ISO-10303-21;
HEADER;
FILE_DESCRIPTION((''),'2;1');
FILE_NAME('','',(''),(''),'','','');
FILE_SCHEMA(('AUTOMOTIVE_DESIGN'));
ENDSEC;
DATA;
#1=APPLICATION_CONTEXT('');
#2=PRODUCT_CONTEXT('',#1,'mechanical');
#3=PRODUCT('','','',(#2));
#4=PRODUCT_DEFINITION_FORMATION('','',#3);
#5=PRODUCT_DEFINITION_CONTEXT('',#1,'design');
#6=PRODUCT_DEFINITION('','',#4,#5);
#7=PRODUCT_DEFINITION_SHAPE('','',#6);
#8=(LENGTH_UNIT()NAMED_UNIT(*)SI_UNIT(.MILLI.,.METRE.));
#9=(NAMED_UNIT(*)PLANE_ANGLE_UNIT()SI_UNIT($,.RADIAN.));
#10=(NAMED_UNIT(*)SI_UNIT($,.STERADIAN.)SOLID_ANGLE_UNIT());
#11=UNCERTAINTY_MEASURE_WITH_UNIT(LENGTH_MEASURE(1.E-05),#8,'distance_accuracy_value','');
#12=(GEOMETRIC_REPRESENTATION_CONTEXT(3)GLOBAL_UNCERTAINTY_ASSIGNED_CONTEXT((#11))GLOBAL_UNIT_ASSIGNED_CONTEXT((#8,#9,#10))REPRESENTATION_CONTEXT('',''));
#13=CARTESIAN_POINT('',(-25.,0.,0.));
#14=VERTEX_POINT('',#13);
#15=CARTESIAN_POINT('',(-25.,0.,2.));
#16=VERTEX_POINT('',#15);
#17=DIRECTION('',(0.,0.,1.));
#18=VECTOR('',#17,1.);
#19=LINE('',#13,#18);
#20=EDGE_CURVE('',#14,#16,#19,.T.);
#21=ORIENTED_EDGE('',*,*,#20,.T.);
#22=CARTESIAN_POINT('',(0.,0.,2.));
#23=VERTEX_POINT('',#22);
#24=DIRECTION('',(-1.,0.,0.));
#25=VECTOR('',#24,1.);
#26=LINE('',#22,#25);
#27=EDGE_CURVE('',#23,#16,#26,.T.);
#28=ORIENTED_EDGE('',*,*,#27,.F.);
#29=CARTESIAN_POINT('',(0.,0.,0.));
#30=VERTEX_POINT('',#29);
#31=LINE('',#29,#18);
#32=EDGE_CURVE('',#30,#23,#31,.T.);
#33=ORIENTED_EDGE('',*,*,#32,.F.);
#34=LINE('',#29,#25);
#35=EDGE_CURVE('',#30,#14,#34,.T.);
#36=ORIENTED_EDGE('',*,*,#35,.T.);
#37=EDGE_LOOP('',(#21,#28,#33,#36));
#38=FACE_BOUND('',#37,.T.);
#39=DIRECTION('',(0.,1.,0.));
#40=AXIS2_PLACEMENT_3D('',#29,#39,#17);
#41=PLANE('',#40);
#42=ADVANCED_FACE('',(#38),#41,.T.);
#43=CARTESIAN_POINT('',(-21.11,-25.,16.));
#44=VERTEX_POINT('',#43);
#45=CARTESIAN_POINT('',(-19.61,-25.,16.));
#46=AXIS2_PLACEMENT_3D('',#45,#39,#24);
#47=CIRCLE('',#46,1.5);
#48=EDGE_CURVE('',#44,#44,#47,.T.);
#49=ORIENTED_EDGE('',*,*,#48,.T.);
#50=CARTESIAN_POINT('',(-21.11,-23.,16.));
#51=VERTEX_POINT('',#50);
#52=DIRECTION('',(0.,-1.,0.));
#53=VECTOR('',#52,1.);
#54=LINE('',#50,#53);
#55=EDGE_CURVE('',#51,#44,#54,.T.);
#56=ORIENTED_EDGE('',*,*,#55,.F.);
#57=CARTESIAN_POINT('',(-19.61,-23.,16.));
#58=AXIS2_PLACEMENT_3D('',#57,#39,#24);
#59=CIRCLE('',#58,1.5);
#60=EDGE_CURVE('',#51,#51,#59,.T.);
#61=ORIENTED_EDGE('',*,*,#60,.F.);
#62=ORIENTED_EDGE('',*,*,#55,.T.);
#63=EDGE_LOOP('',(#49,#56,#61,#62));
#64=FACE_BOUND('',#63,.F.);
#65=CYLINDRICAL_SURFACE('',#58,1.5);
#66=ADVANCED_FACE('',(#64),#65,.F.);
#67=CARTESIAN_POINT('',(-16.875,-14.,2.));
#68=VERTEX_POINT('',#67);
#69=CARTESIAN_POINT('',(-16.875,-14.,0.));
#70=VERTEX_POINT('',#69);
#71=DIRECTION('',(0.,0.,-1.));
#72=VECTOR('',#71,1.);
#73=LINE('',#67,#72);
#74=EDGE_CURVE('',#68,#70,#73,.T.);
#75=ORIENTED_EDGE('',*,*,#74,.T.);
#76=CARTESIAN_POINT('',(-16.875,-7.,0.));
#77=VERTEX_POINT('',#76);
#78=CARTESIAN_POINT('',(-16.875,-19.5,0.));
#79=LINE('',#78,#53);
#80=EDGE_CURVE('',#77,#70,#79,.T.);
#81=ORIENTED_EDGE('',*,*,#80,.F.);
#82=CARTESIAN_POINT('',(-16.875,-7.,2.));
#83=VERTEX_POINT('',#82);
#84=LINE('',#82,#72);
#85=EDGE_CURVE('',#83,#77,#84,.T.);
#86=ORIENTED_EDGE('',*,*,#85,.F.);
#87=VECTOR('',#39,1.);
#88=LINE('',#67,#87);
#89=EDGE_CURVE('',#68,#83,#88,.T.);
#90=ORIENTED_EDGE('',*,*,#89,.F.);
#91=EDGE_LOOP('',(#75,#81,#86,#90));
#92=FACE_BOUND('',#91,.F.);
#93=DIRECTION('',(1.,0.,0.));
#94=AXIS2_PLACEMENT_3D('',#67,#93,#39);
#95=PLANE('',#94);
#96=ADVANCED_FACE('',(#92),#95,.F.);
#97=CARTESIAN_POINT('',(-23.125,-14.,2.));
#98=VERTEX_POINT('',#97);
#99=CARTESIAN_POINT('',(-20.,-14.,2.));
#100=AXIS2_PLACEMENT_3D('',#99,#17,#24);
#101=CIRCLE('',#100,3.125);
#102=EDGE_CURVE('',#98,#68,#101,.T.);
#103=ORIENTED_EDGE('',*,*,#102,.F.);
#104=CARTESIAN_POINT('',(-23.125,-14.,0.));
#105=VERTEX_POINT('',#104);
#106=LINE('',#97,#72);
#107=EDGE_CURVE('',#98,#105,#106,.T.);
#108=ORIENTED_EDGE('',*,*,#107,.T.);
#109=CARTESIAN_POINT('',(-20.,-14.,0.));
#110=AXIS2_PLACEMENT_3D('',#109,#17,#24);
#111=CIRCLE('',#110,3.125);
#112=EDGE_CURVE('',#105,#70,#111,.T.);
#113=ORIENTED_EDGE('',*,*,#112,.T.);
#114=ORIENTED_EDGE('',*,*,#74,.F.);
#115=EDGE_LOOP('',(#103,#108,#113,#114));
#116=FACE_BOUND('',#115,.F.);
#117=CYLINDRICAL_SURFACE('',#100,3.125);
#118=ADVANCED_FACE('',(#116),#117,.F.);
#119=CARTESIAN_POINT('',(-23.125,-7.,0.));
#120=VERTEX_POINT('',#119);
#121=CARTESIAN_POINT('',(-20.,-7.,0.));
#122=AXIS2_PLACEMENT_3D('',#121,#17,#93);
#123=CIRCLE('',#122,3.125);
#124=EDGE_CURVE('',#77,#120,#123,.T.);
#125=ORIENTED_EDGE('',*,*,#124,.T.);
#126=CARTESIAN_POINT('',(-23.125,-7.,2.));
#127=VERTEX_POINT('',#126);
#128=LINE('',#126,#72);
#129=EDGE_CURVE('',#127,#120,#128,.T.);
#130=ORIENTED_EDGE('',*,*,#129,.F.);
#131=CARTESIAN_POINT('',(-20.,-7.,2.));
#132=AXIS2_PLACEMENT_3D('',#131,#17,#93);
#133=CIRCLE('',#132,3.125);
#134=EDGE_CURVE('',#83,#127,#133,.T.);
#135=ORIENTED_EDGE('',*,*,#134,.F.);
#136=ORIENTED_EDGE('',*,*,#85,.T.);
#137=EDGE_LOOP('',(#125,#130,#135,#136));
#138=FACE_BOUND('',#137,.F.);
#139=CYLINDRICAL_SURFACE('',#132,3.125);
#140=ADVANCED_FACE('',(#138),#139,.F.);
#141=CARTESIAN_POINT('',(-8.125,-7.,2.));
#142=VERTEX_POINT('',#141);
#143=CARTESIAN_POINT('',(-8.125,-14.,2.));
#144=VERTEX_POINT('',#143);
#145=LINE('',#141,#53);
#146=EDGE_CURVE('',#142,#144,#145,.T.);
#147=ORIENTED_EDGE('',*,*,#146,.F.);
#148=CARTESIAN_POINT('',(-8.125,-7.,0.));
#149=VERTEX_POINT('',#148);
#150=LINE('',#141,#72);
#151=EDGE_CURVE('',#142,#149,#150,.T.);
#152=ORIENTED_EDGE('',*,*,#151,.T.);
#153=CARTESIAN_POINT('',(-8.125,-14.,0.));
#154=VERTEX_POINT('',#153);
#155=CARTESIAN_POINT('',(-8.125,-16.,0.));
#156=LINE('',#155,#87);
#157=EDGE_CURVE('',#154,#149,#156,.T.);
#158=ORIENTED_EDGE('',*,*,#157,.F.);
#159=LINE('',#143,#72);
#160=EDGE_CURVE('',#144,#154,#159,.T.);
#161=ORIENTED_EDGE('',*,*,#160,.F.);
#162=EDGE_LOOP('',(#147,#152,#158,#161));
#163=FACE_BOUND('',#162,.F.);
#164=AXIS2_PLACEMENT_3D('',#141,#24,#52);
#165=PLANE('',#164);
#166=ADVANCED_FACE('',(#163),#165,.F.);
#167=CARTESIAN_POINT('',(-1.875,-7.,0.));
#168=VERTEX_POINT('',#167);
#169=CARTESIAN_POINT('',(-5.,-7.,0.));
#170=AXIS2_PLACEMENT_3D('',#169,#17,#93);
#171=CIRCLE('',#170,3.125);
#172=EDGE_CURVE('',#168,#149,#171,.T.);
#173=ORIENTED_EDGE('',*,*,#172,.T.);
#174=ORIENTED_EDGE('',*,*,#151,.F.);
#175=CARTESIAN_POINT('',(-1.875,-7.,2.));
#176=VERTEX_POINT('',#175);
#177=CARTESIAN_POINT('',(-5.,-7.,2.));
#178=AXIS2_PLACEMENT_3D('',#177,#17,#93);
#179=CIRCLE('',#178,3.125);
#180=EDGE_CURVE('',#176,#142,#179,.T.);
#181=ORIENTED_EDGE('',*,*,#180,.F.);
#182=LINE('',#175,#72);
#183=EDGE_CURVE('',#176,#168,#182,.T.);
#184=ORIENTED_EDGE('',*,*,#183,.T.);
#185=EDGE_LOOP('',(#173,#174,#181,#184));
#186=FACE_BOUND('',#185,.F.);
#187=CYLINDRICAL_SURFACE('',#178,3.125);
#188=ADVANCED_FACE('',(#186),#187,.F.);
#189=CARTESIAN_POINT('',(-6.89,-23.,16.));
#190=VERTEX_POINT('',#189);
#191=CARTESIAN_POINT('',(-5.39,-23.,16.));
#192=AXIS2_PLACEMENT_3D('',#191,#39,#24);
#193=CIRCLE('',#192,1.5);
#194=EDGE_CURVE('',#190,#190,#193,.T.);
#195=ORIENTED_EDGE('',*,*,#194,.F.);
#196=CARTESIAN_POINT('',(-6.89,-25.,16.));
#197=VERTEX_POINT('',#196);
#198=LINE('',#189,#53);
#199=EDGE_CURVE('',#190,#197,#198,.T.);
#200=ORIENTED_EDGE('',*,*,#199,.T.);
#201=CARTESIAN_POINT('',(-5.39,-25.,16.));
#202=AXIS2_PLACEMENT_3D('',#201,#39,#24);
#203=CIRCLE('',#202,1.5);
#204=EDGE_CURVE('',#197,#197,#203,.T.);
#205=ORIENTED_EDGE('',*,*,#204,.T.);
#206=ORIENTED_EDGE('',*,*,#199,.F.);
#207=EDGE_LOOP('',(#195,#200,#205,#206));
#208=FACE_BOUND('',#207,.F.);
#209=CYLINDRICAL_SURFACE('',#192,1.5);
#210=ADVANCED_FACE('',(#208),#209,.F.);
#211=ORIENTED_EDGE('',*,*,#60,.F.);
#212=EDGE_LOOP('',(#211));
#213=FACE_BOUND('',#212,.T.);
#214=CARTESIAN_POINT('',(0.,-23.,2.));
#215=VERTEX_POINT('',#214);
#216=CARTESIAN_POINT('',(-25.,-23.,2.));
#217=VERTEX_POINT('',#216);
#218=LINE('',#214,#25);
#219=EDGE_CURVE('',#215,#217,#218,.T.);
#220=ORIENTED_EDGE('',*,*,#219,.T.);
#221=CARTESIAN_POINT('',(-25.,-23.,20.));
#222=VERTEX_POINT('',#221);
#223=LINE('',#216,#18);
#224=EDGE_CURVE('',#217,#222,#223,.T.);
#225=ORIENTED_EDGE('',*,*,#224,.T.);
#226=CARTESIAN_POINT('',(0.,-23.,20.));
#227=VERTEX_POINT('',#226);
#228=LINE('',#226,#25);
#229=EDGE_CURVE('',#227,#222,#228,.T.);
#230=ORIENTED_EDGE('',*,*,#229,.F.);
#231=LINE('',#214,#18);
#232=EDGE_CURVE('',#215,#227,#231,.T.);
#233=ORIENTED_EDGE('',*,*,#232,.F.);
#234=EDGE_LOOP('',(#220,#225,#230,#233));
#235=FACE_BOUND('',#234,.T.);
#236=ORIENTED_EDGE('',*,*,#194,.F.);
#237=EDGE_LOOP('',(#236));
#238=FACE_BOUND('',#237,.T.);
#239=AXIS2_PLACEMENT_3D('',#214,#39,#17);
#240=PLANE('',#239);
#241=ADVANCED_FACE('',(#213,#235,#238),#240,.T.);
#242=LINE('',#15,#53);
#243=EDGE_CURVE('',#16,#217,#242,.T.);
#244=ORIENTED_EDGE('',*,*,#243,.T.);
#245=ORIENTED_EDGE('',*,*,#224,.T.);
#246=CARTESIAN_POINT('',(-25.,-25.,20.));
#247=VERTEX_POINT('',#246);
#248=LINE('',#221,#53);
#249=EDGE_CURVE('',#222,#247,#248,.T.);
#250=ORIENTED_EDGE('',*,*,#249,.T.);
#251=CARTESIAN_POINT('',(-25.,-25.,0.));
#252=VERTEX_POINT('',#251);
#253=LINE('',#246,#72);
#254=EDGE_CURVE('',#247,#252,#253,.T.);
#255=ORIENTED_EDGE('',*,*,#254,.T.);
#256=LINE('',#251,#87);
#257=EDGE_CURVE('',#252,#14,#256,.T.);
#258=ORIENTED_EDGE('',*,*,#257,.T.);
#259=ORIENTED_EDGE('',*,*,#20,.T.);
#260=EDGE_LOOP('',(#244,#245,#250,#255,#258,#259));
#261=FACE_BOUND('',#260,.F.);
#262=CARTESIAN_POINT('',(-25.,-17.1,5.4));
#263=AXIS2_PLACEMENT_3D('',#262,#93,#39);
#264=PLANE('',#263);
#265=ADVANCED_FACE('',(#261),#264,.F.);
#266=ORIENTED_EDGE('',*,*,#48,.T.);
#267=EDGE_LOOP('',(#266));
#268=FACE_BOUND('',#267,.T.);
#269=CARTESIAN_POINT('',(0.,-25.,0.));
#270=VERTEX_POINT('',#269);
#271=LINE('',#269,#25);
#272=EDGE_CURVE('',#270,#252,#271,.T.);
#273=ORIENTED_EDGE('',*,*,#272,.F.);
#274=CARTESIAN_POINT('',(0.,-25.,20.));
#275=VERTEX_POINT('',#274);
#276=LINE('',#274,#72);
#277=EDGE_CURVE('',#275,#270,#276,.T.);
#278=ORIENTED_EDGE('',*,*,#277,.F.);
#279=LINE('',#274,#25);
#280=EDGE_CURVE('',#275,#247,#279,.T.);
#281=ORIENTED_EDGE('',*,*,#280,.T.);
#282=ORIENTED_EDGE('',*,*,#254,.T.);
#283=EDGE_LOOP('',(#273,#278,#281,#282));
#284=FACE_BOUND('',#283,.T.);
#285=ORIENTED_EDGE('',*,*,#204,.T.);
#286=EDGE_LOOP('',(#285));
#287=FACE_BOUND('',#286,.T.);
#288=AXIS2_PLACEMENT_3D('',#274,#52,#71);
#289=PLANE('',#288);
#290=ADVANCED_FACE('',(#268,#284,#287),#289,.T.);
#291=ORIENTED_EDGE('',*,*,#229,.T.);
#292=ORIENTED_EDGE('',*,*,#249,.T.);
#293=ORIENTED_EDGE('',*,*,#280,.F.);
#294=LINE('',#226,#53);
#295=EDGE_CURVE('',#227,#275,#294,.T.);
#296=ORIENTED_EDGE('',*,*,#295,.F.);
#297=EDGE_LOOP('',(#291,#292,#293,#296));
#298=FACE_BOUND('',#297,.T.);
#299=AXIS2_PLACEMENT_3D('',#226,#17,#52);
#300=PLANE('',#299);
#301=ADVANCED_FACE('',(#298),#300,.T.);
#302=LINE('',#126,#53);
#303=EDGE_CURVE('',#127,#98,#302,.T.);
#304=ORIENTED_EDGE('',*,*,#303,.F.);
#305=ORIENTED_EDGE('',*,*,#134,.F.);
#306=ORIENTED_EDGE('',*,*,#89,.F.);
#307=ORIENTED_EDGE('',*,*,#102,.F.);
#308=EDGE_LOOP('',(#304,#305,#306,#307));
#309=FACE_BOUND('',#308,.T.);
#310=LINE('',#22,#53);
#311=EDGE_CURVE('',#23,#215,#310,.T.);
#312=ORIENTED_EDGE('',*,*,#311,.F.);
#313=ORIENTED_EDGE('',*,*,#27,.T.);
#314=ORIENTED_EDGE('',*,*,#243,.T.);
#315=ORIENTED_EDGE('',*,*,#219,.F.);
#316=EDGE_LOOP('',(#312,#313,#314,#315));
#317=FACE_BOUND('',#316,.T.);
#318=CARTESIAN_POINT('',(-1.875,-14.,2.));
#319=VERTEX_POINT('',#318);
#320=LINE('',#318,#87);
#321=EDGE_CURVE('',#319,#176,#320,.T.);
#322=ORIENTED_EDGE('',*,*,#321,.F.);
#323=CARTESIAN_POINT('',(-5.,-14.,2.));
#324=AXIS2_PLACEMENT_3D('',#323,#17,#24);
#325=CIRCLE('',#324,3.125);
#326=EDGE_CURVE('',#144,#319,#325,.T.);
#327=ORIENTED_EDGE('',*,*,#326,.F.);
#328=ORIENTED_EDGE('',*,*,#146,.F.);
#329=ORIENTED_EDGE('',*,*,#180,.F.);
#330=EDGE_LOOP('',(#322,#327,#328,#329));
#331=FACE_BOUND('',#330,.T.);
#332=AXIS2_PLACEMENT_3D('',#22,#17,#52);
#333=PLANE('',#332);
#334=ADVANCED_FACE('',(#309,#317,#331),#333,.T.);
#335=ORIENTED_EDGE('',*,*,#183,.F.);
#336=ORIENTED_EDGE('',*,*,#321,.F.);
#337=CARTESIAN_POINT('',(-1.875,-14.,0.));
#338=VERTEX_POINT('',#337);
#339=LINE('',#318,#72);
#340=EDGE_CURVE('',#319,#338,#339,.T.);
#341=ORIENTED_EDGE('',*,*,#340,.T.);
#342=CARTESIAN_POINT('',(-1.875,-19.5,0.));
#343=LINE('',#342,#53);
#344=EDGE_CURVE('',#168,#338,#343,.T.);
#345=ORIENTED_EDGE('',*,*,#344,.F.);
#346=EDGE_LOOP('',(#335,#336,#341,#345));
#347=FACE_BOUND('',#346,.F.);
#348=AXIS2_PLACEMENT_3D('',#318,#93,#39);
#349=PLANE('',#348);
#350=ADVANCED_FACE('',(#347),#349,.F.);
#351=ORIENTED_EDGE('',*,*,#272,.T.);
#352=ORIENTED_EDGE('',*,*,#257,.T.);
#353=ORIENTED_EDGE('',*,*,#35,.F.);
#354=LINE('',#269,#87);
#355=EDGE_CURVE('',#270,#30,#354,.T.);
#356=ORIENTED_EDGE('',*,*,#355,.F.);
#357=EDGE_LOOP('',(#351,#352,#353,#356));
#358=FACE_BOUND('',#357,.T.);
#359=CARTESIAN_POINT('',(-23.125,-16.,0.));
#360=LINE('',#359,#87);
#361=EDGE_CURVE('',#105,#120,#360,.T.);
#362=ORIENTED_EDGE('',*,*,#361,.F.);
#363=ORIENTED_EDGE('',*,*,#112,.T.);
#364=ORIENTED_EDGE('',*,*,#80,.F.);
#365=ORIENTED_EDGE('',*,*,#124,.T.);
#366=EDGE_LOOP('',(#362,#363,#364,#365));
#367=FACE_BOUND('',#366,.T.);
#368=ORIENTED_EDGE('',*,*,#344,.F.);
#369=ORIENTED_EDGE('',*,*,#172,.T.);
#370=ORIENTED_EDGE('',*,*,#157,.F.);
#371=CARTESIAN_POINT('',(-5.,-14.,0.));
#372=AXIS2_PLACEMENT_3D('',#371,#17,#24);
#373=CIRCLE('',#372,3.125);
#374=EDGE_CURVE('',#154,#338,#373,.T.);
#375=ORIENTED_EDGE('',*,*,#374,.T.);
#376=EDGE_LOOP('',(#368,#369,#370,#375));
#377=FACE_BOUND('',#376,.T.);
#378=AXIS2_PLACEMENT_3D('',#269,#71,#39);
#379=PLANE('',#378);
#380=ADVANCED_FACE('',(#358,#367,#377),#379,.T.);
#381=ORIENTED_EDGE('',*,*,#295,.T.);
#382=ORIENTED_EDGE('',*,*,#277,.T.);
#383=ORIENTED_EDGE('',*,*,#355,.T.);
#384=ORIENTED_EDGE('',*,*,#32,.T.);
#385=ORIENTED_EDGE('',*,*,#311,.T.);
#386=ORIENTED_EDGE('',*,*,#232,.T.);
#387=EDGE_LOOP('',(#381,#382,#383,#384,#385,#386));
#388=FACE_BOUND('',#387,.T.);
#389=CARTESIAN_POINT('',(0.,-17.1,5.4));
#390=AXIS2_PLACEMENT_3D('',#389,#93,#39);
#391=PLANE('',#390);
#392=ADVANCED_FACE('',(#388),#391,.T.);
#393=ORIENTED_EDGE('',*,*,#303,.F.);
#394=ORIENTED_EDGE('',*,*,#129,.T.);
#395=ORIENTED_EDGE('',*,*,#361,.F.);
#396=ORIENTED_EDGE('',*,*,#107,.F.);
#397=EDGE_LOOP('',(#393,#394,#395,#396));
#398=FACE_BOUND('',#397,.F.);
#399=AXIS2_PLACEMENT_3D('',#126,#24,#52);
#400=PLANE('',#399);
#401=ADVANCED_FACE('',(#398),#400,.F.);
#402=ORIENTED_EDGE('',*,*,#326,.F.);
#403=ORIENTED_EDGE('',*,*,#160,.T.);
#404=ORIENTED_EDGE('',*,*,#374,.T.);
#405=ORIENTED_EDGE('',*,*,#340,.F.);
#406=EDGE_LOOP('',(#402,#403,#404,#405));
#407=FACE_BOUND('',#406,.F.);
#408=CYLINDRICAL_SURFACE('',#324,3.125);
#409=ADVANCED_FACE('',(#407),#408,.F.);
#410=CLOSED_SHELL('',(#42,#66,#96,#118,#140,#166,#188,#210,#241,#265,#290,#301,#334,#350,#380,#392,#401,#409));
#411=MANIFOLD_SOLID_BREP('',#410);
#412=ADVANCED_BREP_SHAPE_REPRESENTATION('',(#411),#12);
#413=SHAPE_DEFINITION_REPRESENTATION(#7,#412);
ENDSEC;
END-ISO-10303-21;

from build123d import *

# Parameters (mm, degrees)
F1_DEPTH = 25
F3_DEPTH = 25
F4_R     = 1.5
F5_DEPTH = 25


with BuildPart() as f1:
    # F0 (on Right) → F1 (new body)
    with BuildSketch(Plane.YZ):
        Polygon((-25, 0), (0, 0), (0, 2), (-23, 2), (-23, 20), (-25, 20), align=None)
    extrude(amount=-F1_DEPTH)

    # F2 (on face) → F3 (cut)
    with BuildSketch(Plane.XY.offset(2)):
        with BuildLine():
            Line((-16.875, -14), (-16.875, -7))
            ThreePointArc((-16.875, -7), (-20, -3.875), (-23.125, -7))
            Line((-23.125, -7), (-23.125, -14))
            ThreePointArc((-23.125, -14), (-20, -17.125), (-16.875, -14))
        make_face()
        with BuildLine():
            Line((-1.875, -14), (-1.875, -7))
            ThreePointArc((-1.875, -7), (-5, -3.875), (-8.125, -7))
            Line((-8.125, -7), (-8.125, -14))
            ThreePointArc((-8.125, -14), (-5, -17.125), (-1.875, -14))
        make_face()
    extrude(amount=-F3_DEPTH, mode=Mode.SUBTRACT)

    # F4 (on face) → F5 (cut)
    with BuildSketch(Plane(origin=(0, -23, 0), x_dir=(-1, 0, 0), z_dir=(0, 1, 0))):
        with Locations((5.39, 16)):
            Circle(F4_R)
        with Locations((19.61, 16)):
            Circle(F4_R)
    extrude(amount=-F5_DEPTH, mode=Mode.SUBTRACT)


solid = f1.part
